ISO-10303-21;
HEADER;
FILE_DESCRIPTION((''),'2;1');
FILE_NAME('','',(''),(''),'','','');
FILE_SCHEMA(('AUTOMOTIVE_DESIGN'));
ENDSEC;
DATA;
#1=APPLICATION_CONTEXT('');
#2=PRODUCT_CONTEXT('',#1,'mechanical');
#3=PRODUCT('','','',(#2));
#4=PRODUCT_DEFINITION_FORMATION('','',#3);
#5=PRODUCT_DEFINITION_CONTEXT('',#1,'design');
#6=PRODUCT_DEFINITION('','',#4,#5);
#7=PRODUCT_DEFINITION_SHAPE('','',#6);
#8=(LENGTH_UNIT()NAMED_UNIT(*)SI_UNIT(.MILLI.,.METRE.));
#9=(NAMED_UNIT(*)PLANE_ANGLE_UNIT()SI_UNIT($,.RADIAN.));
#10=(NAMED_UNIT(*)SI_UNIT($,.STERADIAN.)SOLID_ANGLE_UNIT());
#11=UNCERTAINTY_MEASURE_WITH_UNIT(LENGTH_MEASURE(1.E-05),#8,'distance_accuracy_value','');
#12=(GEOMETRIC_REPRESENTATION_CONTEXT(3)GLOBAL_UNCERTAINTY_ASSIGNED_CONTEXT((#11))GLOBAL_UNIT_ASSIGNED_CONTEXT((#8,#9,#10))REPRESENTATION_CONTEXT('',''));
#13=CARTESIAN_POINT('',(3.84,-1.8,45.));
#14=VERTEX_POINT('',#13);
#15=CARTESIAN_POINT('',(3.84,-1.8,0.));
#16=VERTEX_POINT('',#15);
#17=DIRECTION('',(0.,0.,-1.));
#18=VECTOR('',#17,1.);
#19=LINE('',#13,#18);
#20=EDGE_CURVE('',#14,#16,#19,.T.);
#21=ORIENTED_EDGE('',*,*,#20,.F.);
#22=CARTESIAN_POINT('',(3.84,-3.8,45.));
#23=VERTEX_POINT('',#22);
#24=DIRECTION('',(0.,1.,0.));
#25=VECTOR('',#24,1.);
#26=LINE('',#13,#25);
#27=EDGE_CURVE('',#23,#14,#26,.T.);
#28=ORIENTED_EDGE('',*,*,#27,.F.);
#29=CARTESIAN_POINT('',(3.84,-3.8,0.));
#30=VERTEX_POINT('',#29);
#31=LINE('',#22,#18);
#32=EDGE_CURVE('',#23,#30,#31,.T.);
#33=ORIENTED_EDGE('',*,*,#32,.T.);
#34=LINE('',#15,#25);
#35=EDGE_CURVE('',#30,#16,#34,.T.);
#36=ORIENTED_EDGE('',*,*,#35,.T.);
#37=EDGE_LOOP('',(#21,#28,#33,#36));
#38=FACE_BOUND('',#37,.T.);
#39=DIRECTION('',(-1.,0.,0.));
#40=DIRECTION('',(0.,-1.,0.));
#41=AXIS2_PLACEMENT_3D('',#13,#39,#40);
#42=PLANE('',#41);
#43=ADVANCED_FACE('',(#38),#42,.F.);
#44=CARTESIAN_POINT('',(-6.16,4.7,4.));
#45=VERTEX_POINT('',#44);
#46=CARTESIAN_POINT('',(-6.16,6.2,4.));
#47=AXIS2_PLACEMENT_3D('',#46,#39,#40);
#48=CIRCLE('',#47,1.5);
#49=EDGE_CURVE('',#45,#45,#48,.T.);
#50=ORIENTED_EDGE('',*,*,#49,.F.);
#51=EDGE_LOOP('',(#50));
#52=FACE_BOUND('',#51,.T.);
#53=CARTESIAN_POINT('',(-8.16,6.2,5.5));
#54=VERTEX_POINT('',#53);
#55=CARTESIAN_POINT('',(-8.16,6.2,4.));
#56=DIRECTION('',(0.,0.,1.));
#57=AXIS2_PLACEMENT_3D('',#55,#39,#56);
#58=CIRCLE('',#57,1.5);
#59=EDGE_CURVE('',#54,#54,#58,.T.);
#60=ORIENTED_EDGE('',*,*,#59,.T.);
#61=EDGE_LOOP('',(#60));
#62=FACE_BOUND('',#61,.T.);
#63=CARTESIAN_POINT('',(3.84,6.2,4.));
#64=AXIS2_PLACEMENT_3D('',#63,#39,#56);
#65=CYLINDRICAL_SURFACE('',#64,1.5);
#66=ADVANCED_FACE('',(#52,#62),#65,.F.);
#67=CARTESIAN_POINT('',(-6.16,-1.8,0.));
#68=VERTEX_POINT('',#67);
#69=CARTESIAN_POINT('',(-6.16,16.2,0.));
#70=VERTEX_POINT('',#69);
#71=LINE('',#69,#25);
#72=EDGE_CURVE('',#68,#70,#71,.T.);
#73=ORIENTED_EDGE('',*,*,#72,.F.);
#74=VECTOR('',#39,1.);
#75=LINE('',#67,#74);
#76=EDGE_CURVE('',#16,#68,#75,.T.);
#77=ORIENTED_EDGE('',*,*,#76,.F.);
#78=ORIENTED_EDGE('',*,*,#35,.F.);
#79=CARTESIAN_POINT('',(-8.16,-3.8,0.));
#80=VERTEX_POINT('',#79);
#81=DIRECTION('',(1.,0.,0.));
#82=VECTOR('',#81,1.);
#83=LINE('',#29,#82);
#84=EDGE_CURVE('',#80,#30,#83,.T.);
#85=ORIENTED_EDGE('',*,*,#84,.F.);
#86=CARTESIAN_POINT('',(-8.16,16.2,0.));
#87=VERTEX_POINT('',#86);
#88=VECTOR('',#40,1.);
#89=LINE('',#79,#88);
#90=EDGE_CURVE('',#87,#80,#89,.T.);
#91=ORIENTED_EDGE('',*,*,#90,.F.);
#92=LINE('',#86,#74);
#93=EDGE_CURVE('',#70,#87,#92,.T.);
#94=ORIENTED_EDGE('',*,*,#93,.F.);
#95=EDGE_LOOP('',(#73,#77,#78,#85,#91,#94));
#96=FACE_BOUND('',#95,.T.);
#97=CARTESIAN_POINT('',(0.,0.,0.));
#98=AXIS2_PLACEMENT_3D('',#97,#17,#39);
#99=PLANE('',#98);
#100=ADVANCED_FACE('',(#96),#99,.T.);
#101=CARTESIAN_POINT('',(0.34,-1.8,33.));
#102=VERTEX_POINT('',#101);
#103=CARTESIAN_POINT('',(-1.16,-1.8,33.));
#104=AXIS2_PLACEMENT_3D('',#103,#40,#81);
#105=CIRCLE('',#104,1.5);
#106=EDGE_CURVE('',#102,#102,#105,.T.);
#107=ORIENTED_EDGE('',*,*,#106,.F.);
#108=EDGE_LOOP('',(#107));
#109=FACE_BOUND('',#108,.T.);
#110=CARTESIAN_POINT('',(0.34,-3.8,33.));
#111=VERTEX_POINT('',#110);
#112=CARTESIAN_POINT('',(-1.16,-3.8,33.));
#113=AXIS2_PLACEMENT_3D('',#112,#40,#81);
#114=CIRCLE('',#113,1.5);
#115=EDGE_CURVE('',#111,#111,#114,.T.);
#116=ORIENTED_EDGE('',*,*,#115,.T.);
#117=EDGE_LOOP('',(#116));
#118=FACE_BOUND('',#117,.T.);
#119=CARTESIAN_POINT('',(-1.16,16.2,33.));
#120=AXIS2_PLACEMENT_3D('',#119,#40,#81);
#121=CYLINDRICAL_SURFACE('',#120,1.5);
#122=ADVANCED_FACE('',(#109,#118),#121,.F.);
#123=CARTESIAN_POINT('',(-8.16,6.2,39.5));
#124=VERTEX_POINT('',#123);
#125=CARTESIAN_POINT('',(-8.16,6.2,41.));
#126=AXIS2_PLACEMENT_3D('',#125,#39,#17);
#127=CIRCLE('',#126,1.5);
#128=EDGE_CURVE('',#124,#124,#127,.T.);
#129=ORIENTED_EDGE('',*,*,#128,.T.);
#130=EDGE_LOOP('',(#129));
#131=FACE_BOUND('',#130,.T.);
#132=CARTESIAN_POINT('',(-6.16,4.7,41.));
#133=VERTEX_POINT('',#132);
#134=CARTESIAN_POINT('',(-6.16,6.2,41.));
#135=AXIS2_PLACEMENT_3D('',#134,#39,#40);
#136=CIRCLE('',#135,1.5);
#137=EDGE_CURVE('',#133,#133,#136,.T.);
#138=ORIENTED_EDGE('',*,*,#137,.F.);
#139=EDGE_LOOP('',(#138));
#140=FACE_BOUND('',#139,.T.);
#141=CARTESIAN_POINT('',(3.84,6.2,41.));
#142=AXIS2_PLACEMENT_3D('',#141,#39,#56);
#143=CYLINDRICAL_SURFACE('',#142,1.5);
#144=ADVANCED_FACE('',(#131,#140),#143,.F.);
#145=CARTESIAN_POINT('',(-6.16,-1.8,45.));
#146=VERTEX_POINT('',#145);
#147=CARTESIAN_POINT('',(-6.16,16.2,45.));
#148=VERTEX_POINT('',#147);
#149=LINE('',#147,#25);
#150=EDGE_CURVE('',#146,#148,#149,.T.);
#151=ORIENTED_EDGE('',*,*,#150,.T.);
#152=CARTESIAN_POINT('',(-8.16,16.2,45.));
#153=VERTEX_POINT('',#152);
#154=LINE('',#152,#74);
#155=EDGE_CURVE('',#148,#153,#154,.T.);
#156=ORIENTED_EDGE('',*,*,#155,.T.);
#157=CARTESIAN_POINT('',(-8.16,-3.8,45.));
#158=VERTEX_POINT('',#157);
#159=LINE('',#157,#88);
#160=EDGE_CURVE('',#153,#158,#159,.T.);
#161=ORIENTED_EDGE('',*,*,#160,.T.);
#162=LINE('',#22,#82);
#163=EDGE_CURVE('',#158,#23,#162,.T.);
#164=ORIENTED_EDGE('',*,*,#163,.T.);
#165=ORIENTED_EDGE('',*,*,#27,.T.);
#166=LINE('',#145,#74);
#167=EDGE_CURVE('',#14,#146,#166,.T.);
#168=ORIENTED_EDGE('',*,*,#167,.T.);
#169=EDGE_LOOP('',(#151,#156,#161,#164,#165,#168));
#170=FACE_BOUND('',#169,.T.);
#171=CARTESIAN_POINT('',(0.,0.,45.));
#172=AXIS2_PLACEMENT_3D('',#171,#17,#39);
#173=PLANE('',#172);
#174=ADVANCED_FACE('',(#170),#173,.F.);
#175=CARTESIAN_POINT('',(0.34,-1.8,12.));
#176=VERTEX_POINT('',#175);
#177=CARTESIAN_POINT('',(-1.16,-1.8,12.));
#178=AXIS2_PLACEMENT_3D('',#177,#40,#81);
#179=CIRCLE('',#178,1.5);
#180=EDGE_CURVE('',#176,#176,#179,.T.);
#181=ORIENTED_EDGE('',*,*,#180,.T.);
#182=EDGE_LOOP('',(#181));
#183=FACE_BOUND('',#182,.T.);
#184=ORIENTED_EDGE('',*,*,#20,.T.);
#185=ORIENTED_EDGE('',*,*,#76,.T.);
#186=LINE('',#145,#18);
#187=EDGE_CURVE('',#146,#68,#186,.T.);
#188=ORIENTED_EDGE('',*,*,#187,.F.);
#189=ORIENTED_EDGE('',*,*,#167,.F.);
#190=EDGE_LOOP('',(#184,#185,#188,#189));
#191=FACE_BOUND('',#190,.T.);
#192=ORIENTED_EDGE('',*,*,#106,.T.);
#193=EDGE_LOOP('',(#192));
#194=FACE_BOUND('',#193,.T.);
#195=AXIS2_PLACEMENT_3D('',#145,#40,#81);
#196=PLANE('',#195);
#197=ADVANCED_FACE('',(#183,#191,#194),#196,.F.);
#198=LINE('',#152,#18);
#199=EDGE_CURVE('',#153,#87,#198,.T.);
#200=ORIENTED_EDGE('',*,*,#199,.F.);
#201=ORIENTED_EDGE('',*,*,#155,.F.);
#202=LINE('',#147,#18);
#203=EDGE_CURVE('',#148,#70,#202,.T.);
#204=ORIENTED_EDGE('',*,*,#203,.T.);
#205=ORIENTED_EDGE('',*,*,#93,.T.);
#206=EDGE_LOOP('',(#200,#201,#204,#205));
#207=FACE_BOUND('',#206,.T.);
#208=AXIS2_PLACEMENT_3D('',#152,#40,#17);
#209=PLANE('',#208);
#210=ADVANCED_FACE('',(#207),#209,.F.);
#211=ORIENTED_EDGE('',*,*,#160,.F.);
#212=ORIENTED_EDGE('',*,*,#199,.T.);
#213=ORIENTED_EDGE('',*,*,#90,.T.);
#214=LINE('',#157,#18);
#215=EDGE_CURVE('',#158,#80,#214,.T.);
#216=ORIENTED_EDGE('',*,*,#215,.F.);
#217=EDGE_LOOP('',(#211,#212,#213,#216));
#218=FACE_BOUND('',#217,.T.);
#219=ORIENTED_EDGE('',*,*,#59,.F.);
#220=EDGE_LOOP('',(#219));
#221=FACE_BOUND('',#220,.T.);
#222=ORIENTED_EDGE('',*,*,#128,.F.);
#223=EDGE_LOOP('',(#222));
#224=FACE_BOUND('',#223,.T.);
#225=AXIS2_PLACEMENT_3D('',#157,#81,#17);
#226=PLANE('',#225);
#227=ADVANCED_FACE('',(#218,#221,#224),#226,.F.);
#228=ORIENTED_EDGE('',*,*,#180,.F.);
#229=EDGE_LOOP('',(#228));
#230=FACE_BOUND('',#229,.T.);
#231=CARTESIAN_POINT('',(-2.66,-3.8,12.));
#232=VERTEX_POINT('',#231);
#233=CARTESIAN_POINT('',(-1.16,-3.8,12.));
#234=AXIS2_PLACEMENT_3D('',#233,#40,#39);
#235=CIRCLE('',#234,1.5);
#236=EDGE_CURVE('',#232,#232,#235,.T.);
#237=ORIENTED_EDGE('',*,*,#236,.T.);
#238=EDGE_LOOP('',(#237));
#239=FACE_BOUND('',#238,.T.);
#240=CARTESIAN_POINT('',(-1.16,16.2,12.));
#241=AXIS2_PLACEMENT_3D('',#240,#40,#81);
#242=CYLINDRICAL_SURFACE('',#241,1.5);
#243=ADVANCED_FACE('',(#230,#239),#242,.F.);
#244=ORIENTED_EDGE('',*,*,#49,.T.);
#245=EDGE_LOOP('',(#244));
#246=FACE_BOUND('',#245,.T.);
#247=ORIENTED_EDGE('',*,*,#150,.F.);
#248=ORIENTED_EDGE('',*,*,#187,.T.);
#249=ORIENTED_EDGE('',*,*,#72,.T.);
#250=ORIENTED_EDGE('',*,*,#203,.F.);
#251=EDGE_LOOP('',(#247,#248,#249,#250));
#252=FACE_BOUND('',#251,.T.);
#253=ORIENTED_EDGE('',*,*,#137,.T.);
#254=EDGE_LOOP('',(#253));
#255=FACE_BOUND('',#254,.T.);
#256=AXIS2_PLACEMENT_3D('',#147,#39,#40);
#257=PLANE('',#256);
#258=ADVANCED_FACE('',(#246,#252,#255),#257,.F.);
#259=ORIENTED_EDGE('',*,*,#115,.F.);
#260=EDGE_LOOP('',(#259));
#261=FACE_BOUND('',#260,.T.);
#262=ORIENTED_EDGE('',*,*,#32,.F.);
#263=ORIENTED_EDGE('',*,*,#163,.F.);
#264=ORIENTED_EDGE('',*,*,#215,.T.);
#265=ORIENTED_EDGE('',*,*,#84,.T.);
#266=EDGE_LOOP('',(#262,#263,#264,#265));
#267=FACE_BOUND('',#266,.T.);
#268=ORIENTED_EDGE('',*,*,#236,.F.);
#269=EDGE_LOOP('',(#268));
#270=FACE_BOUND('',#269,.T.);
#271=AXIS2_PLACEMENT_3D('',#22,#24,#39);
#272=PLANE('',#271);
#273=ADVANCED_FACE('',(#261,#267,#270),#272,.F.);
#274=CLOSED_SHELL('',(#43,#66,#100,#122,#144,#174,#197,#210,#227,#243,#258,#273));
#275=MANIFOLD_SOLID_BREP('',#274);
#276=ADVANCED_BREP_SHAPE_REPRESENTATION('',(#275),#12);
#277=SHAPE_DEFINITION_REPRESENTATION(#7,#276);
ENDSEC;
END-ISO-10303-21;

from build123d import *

# Parameters (mm, degrees)
EXTRUDE_1_DEPTH     = 45
SKETCH_2_R          = 1.5
CUT_EXTRUDE_1_DEPTH = 50.309633947
SKETCH_3_R          = 1.5
CUT_EXTRUDE_2_DEPTH = 50.915785078


with BuildPart() as part:
    # 草图1 → 凸台-拉伸1 (new body)
    with BuildSketch(Plane.XY):
        Polygon((-8.16, 16.2), (-6.16, 16.2), (-6.16, -1.8), (3.84, -1.8), (3.84, -3.8), (-8.16, -3.8), align=None)
    extrude(amount=EXTRUDE_1_DEPTH)

    # 草图2 → 切除-拉伸1 (cut, through all)
    with BuildSketch(Plane.ZY.offset(8.16)):
        with Locations((4, 6.2)):
            Circle(SKETCH_2_R)
        with Locations(Location((41, 6.2, 0), (0, 0, 270))):
            Circle(SKETCH_2_R)
    extrude(amount=-CUT_EXTRUDE_1_DEPTH, mode=Mode.SUBTRACT)

    # 草图3 → 切除-拉伸2 (cut, through all)
    with BuildSketch(Plane.XZ.offset(3.8)):
        with Locations((-1.16, 33)):
            Circle(SKETCH_3_R)
        with Locations((-1.16, 12)):
            Circle(SKETCH_3_R)
    extrude(amount=-CUT_EXTRUDE_2_DEPTH, mode=Mode.SUBTRACT)


solid = part.part
